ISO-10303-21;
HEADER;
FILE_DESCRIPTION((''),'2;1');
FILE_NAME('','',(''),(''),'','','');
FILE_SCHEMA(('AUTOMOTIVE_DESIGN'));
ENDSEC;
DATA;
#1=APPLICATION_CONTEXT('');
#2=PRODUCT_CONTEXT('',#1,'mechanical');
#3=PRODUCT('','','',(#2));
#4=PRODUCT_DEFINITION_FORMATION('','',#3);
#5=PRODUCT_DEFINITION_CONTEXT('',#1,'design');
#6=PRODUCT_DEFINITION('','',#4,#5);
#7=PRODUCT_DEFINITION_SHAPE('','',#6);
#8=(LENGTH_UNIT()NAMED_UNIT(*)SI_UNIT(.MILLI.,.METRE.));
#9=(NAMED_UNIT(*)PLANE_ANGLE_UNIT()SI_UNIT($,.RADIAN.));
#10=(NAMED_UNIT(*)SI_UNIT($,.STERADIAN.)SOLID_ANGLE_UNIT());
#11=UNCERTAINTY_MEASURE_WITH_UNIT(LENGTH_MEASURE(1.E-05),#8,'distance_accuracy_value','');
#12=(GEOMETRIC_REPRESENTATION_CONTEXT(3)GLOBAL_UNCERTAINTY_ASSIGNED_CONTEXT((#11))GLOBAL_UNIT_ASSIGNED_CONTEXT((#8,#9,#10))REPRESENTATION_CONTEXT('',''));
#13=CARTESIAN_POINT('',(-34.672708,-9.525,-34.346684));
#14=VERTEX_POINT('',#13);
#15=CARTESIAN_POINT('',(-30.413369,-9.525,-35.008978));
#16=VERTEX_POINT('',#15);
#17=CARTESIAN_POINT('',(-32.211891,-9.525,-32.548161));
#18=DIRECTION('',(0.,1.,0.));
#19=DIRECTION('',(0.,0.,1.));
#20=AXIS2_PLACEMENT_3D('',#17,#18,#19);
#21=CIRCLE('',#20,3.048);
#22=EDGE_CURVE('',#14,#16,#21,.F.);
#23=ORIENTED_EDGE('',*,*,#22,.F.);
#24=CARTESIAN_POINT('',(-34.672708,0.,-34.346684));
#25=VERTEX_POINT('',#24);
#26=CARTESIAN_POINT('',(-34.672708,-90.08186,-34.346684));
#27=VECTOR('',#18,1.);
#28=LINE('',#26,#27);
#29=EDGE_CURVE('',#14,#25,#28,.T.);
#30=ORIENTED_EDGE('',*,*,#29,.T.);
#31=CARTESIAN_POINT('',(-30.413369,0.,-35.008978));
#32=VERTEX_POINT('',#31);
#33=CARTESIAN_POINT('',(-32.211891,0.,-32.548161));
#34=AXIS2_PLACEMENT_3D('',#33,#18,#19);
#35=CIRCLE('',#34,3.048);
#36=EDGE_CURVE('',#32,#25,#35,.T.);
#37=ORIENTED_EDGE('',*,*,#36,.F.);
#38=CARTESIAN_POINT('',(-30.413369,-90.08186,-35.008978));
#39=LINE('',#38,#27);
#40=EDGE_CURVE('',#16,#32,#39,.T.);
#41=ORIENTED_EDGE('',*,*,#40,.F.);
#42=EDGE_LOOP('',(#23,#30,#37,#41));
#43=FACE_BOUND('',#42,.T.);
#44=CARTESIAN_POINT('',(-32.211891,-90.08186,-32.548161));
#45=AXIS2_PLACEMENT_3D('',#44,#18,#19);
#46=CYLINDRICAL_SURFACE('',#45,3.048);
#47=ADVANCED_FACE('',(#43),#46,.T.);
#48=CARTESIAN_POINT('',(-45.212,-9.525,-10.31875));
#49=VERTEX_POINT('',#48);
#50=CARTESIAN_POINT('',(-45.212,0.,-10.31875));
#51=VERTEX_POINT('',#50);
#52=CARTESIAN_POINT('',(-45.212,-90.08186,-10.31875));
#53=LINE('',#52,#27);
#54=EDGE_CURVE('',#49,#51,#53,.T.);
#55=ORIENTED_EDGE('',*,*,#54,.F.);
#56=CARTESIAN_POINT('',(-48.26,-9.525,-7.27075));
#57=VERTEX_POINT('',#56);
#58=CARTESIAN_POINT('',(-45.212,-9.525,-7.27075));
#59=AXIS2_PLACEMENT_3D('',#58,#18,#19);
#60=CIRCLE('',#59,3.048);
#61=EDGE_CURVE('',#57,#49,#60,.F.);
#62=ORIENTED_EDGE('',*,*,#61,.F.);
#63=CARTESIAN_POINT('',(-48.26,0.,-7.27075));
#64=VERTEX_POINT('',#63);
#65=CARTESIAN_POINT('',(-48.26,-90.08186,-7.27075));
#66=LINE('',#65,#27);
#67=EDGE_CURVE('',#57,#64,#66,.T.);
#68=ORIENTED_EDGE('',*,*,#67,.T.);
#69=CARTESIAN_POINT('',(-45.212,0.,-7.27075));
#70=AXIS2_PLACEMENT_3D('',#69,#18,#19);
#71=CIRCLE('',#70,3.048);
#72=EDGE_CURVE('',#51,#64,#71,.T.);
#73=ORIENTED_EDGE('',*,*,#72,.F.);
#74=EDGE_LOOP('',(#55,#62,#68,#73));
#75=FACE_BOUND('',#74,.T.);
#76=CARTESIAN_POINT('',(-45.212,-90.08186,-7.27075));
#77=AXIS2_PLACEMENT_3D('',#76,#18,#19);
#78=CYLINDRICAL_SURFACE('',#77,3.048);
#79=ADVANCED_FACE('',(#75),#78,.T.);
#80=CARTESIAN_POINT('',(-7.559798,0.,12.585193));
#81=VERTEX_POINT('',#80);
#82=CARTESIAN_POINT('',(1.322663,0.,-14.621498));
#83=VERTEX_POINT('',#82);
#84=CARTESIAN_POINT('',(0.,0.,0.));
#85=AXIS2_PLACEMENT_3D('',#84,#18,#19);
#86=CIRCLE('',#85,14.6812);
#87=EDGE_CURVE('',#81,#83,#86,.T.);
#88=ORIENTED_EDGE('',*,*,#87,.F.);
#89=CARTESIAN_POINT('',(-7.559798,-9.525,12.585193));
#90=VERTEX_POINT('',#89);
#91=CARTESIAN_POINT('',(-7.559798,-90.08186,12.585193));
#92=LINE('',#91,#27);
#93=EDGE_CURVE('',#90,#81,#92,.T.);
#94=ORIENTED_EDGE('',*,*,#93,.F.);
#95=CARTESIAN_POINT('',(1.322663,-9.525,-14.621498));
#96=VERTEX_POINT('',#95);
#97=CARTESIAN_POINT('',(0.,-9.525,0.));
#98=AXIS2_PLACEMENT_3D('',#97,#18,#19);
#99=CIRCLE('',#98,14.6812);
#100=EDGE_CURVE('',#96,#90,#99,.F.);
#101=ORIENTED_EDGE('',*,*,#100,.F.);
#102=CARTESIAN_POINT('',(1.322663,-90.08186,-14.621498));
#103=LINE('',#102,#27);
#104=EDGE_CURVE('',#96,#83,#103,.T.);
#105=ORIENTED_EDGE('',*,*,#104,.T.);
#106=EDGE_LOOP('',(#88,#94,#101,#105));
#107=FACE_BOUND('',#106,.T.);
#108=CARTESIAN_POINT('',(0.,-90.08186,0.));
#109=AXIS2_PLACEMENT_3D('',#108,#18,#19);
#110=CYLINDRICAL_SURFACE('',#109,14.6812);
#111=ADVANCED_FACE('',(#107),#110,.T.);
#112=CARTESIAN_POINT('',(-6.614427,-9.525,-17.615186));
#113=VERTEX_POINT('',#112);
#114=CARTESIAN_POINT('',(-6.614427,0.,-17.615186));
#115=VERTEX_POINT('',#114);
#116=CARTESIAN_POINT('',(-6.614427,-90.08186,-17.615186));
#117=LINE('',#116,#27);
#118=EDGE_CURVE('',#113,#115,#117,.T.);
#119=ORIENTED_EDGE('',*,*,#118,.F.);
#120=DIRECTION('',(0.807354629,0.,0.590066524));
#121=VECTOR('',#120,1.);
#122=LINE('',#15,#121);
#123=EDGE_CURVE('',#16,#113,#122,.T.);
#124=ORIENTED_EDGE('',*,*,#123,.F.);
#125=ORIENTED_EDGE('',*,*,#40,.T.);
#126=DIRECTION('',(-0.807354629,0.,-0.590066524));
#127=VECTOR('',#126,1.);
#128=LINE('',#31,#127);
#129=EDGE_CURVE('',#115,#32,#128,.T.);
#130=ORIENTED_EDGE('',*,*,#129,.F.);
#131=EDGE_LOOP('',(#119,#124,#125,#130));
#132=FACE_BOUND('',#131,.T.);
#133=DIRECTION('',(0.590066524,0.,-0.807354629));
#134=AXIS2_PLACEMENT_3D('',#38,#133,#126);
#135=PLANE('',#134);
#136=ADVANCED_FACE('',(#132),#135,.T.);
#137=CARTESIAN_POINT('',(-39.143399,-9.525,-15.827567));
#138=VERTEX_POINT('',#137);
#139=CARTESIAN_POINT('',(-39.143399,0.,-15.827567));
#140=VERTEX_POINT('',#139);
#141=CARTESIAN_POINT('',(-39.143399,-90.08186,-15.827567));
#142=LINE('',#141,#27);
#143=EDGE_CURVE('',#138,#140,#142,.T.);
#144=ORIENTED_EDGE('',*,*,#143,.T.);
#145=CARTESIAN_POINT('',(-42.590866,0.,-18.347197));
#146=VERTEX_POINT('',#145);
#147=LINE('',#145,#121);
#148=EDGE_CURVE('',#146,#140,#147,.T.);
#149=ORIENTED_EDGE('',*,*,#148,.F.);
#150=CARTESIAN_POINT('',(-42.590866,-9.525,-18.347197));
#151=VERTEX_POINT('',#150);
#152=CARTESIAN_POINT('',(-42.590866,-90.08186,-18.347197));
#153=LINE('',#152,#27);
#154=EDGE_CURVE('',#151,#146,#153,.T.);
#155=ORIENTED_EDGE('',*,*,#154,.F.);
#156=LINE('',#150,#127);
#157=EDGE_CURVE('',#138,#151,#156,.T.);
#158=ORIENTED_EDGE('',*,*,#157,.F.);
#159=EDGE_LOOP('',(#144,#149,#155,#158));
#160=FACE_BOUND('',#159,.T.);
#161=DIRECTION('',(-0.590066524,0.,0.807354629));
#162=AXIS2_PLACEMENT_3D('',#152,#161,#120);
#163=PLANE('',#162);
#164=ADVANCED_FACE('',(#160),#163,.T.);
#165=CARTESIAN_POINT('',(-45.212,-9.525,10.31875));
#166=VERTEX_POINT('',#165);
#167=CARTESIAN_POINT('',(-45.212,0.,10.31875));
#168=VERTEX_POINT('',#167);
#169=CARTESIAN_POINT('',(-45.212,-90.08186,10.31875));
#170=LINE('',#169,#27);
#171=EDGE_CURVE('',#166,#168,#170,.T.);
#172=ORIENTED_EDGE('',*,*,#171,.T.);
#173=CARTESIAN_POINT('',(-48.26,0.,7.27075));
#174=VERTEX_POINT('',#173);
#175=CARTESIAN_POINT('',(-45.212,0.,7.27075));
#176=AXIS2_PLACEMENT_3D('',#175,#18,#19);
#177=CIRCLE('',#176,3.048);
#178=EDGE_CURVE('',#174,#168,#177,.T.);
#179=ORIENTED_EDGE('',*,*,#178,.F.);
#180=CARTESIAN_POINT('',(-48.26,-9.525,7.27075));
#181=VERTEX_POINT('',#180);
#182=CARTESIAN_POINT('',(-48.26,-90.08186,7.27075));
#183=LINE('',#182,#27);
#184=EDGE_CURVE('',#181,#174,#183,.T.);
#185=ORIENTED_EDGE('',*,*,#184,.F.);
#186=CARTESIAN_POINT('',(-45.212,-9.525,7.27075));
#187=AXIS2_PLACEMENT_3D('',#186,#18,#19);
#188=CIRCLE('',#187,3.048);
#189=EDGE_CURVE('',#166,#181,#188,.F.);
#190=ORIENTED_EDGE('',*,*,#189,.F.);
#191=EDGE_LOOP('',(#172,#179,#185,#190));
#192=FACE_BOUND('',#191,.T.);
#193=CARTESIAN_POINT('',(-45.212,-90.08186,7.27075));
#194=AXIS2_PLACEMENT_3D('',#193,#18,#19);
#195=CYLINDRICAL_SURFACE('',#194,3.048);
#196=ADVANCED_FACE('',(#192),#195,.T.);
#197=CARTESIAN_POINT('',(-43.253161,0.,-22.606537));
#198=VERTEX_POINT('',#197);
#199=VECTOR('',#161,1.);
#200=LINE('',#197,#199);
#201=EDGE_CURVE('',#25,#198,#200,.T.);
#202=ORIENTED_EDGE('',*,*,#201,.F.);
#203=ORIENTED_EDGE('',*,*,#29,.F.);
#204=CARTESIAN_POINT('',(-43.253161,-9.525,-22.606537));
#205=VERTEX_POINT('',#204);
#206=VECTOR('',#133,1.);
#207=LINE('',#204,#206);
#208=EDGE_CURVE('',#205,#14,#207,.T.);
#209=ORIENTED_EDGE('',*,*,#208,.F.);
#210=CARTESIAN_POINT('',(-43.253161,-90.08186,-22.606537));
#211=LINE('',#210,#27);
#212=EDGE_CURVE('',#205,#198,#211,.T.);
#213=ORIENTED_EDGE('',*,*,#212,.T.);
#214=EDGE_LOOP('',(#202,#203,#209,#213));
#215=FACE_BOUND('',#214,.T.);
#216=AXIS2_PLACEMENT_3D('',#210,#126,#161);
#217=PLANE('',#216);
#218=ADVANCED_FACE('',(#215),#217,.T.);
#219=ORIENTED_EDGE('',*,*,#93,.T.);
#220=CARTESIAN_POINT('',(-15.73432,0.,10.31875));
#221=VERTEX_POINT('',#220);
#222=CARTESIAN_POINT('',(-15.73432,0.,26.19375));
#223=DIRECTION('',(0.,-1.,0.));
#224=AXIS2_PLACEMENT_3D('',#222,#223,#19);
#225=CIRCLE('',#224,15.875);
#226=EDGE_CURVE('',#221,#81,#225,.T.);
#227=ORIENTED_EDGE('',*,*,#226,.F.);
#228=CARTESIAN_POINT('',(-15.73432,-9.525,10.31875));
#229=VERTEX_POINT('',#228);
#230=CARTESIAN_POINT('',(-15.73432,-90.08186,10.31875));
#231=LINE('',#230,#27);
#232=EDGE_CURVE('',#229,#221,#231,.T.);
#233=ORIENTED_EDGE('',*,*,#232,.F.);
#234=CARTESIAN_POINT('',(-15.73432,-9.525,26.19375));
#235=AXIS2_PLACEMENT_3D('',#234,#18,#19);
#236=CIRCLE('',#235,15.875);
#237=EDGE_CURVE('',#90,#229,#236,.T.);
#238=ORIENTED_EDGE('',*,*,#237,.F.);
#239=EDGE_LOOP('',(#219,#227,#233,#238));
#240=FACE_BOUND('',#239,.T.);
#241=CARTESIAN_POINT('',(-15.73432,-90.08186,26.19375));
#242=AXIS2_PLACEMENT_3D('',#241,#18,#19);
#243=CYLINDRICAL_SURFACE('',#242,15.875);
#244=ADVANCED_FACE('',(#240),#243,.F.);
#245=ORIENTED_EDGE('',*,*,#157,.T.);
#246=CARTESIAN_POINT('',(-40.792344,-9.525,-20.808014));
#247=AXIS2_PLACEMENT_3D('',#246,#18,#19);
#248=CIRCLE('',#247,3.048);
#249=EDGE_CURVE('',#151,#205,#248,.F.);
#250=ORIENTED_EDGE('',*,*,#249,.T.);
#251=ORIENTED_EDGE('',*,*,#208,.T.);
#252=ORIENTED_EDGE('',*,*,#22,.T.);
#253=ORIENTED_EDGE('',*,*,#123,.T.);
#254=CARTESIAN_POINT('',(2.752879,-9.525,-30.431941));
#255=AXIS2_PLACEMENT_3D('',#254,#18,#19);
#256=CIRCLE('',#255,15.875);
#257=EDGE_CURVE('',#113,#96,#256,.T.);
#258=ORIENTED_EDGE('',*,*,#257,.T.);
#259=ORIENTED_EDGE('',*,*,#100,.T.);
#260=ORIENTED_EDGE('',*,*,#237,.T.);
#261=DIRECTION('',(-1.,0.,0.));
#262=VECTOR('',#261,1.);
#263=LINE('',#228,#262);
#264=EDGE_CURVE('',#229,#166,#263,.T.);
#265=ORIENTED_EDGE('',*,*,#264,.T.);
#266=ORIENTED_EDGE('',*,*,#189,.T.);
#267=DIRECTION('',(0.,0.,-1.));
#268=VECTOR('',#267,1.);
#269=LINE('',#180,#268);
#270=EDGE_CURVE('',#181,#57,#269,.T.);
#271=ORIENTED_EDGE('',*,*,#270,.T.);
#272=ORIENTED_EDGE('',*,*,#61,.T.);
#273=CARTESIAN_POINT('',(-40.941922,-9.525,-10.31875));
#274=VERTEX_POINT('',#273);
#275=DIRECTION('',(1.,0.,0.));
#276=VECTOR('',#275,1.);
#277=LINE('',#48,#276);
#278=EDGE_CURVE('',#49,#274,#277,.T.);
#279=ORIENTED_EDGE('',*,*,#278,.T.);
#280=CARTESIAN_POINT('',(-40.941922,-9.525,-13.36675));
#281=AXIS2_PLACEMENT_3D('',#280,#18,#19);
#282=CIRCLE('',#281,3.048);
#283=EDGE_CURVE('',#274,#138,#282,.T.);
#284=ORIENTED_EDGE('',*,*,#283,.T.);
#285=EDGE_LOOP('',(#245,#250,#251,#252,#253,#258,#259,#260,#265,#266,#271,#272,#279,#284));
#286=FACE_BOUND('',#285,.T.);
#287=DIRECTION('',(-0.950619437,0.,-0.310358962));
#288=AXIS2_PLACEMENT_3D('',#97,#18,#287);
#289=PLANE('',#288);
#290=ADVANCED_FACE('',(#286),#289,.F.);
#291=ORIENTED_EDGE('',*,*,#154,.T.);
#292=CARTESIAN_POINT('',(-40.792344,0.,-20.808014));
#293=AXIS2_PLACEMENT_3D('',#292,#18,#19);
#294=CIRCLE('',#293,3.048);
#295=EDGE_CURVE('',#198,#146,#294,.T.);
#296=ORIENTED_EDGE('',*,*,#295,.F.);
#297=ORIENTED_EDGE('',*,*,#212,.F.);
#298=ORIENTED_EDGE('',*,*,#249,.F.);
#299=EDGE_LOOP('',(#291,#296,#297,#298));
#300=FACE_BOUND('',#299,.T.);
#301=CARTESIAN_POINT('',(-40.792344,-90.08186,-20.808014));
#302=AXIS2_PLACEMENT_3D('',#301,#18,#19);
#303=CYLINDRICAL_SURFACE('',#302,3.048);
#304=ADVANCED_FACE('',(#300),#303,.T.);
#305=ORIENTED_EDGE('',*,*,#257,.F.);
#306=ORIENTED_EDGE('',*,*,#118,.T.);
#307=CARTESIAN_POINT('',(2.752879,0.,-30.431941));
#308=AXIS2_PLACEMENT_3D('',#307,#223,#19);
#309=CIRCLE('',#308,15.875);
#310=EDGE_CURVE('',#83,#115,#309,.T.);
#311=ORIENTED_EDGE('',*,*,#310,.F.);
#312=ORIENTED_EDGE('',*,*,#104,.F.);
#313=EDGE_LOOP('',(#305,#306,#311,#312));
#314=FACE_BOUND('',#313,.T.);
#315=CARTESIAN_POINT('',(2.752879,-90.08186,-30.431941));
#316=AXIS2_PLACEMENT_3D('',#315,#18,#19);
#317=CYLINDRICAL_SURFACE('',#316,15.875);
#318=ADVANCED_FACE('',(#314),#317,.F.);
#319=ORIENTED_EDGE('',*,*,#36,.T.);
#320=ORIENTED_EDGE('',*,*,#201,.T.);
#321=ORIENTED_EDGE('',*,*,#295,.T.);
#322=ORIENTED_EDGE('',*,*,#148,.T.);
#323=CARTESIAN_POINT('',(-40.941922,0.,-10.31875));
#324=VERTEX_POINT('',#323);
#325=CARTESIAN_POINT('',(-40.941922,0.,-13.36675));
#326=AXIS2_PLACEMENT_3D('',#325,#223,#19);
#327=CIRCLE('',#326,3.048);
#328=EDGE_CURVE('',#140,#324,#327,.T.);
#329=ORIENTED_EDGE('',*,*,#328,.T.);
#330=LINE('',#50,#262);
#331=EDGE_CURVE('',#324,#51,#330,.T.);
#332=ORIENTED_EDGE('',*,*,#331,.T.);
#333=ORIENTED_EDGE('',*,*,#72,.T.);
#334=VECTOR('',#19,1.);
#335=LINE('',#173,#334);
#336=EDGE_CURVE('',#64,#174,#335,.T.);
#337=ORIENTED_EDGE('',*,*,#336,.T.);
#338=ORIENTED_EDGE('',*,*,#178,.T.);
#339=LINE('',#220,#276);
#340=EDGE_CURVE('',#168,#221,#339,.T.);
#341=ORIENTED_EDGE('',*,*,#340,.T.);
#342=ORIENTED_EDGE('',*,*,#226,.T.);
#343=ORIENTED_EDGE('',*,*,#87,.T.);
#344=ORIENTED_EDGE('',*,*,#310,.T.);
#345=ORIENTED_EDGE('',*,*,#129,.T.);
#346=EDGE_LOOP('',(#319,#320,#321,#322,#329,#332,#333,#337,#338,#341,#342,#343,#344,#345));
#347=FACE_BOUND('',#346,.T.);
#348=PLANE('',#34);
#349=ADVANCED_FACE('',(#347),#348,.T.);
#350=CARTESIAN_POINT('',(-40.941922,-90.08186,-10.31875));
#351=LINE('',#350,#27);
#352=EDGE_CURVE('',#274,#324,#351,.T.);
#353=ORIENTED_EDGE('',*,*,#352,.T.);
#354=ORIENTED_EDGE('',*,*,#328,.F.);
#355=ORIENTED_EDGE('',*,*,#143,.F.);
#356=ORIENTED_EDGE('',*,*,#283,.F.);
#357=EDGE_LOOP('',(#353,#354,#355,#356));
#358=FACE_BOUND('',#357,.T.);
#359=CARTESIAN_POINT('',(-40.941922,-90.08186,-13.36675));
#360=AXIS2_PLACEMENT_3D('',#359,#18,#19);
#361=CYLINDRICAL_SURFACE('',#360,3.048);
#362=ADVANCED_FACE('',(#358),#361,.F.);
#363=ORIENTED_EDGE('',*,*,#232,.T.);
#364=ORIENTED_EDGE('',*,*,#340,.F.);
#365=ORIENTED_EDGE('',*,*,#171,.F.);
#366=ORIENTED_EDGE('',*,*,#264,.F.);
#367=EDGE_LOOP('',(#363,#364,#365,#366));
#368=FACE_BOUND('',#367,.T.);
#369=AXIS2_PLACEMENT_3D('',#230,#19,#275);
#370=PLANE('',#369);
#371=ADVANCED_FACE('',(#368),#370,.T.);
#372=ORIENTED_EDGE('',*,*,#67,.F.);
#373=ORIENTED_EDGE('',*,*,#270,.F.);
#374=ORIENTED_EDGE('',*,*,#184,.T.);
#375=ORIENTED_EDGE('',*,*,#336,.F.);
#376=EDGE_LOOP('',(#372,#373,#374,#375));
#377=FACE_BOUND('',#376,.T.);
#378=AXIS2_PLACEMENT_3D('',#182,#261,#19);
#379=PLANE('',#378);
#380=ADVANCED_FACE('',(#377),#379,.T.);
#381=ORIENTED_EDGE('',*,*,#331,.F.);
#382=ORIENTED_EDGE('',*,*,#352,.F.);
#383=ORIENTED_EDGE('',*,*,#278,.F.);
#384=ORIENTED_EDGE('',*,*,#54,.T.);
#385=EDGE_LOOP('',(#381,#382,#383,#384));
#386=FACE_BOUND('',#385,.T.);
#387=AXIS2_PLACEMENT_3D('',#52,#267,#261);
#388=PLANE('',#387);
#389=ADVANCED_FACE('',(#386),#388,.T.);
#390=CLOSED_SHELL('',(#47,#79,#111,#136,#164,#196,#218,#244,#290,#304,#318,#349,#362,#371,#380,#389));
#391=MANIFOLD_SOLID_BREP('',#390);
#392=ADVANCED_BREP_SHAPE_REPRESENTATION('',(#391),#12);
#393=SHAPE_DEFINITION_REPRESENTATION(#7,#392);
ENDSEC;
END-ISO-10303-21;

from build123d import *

# Parameters (mm, degrees)
BOSS_EXTRUDE1_DEPTH = 9.525


with BuildPart() as part:
    # Sketch1 → Boss-Extrude1 (new body)
    with BuildSketch(Plane(origin=(0, 0, 0), x_dir=(1, 0, 0), z_dir=(0, 1, 0))):
        with BuildLine():
            Line((-43.253160589, 22.606536767), (-34.672708234, 34.346684109))
            ThreePointArc((-34.672708234, 34.346684109), (-32.680204005, 35.559969312), (-30.413368559, 35.008978255))
            Line((-30.413368559, 35.008978255), (-6.614426983, 17.615185966))
            ThreePointArc((-6.614426983, 17.615185966), (-2.849545496, 15.578373329), (1.322663433, 14.621497696))
            ThreePointArc((1.322663433, 14.621497696), (13.956234084, -4.556441994), (-7.559797873, -12.585193267))
            ThreePointArc((-7.559797873, -12.585193267), (-11.492870345, -10.89585042), (-15.734319794, -10.31875))
            Line((-15.734319794, -10.31875), (-45.212, -10.31875))
            ThreePointArc((-45.212, -10.31875), (-47.367261469, -9.426011469), (-48.26, -7.27075))
            Line((-48.26, -7.27075), (-48.26, 7.27075))
            ThreePointArc((-48.26, 7.27075), (-47.367261469, 9.426011469), (-45.212, 10.31875))
            Line((-45.212, 10.31875), (-40.94192183, 10.31875))
            ThreePointArc((-40.94192183, 10.31875), (-38.044433785, 12.420775884), (-39.143399065, 15.82756691))
            Line((-39.143399065, 15.82756691), (-42.590866444, 18.347197092))
            ThreePointArc((-42.590866444, 18.347197092), (-43.804151646, 20.339701321), (-43.253160589, 22.606536767))
        make_face()
    extrude(amount=-BOSS_EXTRUDE1_DEPTH)


solid = part.part
